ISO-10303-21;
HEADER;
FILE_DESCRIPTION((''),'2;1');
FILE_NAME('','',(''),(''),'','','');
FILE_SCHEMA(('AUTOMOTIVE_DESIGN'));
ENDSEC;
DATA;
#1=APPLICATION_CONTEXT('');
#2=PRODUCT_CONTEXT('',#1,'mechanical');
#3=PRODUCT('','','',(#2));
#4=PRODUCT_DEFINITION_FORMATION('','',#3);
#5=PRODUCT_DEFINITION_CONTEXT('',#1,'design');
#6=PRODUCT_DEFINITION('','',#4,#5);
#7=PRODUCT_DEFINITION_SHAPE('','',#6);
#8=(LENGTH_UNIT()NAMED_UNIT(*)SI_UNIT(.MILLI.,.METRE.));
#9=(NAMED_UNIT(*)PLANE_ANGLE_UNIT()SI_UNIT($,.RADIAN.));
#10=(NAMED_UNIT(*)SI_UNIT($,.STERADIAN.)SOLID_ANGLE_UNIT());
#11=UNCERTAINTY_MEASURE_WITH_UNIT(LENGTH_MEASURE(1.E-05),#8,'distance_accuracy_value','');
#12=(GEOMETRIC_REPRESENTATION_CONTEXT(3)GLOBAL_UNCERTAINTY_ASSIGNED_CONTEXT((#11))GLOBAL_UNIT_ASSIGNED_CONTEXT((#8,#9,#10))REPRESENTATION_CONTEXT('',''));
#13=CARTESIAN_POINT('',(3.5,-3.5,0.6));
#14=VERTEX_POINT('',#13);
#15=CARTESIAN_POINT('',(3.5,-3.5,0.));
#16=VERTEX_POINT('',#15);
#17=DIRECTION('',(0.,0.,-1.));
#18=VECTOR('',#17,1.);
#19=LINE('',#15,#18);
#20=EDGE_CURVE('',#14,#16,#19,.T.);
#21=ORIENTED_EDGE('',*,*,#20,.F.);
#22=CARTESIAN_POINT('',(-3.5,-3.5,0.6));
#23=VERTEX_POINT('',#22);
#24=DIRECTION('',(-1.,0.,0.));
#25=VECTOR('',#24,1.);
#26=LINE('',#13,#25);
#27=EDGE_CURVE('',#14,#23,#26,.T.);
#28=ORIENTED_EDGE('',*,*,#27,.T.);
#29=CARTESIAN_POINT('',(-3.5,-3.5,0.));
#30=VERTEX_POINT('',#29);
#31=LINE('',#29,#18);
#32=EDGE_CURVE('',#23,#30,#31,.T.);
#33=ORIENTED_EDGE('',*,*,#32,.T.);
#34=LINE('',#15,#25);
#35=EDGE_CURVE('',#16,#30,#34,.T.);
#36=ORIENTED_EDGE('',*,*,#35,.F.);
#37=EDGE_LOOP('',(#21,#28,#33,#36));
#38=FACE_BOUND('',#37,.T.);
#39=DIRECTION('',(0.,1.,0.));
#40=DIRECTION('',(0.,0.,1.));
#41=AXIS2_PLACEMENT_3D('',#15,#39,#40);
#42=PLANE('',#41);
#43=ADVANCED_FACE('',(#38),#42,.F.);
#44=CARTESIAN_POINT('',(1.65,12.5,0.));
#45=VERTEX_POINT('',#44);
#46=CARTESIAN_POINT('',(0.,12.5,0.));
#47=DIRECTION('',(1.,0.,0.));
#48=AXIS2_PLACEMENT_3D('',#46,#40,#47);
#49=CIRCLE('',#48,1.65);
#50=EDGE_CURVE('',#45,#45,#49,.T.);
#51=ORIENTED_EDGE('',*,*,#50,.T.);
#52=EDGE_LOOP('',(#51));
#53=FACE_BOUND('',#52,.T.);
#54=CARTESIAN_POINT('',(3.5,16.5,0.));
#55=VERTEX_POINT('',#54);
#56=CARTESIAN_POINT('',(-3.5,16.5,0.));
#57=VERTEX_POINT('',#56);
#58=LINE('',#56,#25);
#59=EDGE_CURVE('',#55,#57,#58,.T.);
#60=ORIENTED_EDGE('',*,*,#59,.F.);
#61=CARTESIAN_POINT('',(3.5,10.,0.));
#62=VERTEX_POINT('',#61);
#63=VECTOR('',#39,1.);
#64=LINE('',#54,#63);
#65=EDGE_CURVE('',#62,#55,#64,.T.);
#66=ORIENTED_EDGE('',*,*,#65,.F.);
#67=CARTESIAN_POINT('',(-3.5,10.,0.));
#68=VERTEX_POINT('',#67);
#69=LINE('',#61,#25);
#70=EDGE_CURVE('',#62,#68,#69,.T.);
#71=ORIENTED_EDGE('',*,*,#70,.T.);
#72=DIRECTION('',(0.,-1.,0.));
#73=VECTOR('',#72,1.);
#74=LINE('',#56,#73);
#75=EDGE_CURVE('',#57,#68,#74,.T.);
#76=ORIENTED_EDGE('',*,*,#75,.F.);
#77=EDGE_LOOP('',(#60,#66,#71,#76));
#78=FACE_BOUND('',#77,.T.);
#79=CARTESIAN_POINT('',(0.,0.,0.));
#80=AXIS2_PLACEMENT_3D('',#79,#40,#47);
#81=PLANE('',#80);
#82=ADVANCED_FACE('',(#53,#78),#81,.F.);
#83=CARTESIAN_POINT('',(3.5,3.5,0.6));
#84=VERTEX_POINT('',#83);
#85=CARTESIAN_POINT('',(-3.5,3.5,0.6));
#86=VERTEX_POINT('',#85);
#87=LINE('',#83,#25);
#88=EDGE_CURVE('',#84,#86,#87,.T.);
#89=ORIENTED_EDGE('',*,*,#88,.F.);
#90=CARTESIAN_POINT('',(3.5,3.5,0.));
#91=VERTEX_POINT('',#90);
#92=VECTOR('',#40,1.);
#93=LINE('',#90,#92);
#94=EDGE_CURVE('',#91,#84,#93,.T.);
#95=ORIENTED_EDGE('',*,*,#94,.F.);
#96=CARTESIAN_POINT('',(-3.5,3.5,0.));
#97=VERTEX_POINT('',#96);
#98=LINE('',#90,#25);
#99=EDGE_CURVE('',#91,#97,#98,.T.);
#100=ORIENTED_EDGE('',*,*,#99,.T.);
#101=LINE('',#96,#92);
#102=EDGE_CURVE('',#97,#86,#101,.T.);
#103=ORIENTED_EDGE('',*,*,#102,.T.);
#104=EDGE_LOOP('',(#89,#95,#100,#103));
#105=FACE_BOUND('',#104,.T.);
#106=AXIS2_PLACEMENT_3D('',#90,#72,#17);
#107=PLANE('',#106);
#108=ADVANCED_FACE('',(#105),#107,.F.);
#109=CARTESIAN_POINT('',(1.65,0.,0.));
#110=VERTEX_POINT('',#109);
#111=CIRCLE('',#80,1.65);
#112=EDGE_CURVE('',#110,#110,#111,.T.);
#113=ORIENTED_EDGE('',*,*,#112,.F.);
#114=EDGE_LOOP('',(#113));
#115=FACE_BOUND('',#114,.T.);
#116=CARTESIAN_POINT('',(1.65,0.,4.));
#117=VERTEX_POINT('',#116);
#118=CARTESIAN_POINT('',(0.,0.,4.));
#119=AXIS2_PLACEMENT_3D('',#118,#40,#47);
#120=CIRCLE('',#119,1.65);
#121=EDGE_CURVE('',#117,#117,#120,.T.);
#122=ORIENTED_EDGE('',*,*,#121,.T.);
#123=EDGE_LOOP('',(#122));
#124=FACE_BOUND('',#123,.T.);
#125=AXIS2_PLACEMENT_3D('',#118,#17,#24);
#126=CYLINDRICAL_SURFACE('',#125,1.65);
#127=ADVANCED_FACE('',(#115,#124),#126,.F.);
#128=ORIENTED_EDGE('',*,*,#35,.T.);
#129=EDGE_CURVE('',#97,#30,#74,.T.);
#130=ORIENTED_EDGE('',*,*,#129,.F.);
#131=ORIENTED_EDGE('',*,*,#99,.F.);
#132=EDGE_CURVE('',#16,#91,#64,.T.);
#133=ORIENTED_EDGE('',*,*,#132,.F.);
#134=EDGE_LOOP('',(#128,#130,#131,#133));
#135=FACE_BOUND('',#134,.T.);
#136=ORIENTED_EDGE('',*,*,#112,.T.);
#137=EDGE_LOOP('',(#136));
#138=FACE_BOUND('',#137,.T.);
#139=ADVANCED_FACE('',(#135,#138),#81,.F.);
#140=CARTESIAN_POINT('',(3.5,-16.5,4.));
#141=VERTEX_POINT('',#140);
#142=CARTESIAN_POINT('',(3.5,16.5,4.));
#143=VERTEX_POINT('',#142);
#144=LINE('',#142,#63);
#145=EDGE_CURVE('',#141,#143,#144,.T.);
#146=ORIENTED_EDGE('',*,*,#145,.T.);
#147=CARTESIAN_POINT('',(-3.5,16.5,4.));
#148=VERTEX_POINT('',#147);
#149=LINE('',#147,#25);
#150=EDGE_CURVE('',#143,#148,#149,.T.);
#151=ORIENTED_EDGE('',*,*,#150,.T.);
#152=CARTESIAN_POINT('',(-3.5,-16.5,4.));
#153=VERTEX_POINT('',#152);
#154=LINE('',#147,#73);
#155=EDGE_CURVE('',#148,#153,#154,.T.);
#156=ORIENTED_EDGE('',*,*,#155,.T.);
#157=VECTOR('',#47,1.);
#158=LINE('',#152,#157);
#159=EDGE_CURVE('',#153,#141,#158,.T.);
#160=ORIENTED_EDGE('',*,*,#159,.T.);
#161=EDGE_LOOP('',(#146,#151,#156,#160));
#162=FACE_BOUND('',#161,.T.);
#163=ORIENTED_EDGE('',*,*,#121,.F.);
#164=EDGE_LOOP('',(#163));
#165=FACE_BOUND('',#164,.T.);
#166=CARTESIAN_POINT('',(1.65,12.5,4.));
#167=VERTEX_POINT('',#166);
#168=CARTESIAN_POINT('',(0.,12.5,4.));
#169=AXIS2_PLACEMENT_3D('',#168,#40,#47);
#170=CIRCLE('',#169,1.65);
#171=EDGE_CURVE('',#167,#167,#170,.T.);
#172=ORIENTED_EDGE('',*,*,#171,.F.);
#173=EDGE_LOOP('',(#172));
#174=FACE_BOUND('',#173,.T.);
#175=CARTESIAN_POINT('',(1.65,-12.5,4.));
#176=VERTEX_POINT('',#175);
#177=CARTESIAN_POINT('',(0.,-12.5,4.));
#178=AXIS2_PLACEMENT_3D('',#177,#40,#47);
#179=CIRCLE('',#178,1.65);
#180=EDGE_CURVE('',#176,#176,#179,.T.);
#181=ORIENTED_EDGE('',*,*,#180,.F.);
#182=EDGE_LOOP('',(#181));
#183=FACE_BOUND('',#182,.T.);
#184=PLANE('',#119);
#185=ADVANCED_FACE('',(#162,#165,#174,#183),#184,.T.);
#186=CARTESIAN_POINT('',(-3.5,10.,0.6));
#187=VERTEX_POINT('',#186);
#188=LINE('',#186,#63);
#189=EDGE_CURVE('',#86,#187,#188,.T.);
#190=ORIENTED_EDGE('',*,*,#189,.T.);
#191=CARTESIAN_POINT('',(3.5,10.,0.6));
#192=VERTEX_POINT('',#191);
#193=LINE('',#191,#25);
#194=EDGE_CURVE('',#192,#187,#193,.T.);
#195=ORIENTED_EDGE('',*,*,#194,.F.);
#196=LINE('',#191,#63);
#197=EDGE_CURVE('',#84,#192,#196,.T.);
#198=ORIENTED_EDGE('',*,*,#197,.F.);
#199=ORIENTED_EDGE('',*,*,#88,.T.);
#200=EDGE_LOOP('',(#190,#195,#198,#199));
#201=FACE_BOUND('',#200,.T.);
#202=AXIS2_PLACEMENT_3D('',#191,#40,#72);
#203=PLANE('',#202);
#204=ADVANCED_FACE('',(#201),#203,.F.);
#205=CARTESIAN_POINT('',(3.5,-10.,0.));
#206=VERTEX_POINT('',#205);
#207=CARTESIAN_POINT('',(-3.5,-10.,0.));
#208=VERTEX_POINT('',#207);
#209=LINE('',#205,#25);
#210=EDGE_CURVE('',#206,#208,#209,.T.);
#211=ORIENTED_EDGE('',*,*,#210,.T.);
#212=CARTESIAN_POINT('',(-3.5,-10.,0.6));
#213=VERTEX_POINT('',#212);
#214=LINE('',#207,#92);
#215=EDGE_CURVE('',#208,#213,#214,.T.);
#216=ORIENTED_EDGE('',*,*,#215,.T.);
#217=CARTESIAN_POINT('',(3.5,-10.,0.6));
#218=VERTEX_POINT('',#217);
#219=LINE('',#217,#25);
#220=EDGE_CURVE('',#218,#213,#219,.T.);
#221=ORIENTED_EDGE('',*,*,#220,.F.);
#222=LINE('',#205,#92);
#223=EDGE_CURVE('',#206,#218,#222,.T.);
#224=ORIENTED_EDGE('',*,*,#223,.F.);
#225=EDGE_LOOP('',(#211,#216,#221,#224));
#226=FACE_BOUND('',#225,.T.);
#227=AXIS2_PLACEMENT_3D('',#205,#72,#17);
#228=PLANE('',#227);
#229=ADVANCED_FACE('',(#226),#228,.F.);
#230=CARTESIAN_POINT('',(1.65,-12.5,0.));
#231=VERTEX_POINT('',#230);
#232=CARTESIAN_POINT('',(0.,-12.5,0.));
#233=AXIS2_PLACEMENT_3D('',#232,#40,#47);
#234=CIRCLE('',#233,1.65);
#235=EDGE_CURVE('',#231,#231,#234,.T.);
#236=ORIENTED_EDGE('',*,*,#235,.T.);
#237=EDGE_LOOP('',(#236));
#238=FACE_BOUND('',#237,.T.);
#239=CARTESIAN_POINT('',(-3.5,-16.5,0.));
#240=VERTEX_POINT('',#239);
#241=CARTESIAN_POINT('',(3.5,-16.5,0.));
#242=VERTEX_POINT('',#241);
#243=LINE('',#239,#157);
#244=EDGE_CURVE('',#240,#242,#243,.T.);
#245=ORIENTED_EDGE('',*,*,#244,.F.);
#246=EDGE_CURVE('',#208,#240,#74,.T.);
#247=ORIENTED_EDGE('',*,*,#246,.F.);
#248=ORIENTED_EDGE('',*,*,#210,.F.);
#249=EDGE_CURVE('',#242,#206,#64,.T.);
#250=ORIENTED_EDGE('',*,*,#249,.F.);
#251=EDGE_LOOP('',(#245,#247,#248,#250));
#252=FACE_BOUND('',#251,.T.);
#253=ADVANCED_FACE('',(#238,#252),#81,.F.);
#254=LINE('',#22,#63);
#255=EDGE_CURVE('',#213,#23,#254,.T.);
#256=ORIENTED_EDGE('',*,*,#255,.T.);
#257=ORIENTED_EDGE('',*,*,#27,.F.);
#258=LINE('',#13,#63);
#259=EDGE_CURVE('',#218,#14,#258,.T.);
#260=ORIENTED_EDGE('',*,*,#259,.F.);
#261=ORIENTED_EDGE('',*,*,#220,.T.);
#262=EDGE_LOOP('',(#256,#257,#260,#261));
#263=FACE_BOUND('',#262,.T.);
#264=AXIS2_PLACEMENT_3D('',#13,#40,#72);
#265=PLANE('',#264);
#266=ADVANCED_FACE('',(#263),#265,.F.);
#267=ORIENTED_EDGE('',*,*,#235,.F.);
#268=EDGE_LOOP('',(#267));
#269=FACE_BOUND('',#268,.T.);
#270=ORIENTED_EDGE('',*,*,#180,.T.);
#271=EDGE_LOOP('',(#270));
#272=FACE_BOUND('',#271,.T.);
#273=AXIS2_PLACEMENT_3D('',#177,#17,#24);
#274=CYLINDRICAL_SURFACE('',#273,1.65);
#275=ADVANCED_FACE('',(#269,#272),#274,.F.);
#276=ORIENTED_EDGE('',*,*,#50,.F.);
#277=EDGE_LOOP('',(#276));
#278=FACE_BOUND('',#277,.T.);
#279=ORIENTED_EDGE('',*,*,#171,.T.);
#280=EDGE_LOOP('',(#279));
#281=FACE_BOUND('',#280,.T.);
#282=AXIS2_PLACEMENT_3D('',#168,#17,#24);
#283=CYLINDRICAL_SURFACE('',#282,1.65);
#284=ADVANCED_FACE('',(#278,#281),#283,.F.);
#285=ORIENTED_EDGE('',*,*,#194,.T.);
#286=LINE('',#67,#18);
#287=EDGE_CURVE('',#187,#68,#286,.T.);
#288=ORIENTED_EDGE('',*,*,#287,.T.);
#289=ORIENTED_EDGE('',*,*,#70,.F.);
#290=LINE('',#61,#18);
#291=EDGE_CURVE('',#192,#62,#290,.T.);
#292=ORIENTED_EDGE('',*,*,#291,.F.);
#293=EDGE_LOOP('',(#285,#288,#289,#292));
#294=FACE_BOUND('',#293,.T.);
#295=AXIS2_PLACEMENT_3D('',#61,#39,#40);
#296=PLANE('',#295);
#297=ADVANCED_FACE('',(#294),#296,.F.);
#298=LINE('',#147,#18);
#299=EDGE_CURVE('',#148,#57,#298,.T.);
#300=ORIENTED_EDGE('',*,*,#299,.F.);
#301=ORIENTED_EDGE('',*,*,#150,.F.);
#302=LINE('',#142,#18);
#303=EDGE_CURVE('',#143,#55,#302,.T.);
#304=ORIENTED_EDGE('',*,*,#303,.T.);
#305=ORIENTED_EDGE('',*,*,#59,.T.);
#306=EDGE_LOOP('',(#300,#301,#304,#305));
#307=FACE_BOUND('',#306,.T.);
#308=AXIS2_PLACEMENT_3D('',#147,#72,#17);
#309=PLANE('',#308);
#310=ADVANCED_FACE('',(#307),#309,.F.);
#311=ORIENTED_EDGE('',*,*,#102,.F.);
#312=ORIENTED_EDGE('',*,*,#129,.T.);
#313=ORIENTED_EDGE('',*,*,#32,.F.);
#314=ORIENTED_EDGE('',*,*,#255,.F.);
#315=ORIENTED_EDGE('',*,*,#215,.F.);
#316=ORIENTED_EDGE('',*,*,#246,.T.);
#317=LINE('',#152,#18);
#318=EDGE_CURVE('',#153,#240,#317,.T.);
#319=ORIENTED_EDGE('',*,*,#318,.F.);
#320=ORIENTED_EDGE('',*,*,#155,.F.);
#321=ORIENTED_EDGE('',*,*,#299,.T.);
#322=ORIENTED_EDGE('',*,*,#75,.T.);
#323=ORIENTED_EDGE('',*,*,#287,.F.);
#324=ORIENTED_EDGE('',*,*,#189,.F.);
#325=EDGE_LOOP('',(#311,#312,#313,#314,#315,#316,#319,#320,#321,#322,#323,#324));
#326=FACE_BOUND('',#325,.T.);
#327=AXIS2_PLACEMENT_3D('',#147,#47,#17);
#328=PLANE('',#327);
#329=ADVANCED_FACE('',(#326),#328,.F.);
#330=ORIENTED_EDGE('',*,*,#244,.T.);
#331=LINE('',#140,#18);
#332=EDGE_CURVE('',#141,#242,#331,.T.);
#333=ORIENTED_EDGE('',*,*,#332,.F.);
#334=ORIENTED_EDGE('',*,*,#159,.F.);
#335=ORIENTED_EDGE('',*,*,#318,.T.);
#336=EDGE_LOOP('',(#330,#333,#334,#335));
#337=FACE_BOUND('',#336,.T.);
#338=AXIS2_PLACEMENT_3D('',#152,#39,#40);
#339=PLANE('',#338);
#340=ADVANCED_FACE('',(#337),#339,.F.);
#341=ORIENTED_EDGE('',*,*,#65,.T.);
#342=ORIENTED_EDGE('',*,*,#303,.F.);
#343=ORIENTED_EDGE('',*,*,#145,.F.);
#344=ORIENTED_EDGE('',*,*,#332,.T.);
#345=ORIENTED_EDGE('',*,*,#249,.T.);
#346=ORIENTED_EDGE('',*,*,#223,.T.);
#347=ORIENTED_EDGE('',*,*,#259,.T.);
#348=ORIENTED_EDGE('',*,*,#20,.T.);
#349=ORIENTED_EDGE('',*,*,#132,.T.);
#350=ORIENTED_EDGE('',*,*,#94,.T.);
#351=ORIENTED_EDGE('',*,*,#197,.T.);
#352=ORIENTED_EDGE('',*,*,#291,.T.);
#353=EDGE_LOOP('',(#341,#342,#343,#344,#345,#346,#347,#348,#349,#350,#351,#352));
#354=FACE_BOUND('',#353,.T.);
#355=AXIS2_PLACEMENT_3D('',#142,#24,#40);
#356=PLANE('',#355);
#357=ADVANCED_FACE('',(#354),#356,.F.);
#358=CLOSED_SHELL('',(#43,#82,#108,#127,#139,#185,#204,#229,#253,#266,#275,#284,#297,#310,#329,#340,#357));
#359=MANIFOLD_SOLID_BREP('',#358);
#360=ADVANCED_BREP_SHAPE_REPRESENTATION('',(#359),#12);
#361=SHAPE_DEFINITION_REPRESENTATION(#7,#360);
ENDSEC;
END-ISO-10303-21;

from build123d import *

# Parameters (mm, degrees)
ESBO_O1_W                = 7
ESBO_O1_H                = 33
ESBO_O1_R                = 1.65
RESSALTO_EXTRUS_O1_DEPTH = 4
ESBO_O2_W                = 0.6
ESBO_O2_H                = 6.5
CORTE_EXTRUS_O1_DEPTH    = 8


with BuildPart() as part:
    # Esboço1 → Ressalto-extrusão1 (new body)
    with BuildSketch(Plane.XY):
        Rectangle(ESBO_O1_W, ESBO_O1_H)
        Circle(ESBO_O1_R, mode=Mode.SUBTRACT)
        with Locations((0, 12.5)):
            Circle(ESBO_O1_R, mode=Mode.SUBTRACT)
        with Locations((0, -12.5)):
            Circle(ESBO_O1_R, mode=Mode.SUBTRACT)
    extrude(amount=RESSALTO_EXTRUS_O1_DEPTH)

    # Esboço2 → Corte-extrusão1 (cut, through all)
    with BuildSketch(Plane.ZY.offset(3.5)):
        with Locations((0.3, 6.75)):
            Rectangle(ESBO_O2_W, ESBO_O2_H)
        with Locations((0.3, -6.75)):
            Rectangle(ESBO_O2_W, ESBO_O2_H)
    extrude(amount=-CORTE_EXTRUS_O1_DEPTH, mode=Mode.SUBTRACT)


solid = part.part
